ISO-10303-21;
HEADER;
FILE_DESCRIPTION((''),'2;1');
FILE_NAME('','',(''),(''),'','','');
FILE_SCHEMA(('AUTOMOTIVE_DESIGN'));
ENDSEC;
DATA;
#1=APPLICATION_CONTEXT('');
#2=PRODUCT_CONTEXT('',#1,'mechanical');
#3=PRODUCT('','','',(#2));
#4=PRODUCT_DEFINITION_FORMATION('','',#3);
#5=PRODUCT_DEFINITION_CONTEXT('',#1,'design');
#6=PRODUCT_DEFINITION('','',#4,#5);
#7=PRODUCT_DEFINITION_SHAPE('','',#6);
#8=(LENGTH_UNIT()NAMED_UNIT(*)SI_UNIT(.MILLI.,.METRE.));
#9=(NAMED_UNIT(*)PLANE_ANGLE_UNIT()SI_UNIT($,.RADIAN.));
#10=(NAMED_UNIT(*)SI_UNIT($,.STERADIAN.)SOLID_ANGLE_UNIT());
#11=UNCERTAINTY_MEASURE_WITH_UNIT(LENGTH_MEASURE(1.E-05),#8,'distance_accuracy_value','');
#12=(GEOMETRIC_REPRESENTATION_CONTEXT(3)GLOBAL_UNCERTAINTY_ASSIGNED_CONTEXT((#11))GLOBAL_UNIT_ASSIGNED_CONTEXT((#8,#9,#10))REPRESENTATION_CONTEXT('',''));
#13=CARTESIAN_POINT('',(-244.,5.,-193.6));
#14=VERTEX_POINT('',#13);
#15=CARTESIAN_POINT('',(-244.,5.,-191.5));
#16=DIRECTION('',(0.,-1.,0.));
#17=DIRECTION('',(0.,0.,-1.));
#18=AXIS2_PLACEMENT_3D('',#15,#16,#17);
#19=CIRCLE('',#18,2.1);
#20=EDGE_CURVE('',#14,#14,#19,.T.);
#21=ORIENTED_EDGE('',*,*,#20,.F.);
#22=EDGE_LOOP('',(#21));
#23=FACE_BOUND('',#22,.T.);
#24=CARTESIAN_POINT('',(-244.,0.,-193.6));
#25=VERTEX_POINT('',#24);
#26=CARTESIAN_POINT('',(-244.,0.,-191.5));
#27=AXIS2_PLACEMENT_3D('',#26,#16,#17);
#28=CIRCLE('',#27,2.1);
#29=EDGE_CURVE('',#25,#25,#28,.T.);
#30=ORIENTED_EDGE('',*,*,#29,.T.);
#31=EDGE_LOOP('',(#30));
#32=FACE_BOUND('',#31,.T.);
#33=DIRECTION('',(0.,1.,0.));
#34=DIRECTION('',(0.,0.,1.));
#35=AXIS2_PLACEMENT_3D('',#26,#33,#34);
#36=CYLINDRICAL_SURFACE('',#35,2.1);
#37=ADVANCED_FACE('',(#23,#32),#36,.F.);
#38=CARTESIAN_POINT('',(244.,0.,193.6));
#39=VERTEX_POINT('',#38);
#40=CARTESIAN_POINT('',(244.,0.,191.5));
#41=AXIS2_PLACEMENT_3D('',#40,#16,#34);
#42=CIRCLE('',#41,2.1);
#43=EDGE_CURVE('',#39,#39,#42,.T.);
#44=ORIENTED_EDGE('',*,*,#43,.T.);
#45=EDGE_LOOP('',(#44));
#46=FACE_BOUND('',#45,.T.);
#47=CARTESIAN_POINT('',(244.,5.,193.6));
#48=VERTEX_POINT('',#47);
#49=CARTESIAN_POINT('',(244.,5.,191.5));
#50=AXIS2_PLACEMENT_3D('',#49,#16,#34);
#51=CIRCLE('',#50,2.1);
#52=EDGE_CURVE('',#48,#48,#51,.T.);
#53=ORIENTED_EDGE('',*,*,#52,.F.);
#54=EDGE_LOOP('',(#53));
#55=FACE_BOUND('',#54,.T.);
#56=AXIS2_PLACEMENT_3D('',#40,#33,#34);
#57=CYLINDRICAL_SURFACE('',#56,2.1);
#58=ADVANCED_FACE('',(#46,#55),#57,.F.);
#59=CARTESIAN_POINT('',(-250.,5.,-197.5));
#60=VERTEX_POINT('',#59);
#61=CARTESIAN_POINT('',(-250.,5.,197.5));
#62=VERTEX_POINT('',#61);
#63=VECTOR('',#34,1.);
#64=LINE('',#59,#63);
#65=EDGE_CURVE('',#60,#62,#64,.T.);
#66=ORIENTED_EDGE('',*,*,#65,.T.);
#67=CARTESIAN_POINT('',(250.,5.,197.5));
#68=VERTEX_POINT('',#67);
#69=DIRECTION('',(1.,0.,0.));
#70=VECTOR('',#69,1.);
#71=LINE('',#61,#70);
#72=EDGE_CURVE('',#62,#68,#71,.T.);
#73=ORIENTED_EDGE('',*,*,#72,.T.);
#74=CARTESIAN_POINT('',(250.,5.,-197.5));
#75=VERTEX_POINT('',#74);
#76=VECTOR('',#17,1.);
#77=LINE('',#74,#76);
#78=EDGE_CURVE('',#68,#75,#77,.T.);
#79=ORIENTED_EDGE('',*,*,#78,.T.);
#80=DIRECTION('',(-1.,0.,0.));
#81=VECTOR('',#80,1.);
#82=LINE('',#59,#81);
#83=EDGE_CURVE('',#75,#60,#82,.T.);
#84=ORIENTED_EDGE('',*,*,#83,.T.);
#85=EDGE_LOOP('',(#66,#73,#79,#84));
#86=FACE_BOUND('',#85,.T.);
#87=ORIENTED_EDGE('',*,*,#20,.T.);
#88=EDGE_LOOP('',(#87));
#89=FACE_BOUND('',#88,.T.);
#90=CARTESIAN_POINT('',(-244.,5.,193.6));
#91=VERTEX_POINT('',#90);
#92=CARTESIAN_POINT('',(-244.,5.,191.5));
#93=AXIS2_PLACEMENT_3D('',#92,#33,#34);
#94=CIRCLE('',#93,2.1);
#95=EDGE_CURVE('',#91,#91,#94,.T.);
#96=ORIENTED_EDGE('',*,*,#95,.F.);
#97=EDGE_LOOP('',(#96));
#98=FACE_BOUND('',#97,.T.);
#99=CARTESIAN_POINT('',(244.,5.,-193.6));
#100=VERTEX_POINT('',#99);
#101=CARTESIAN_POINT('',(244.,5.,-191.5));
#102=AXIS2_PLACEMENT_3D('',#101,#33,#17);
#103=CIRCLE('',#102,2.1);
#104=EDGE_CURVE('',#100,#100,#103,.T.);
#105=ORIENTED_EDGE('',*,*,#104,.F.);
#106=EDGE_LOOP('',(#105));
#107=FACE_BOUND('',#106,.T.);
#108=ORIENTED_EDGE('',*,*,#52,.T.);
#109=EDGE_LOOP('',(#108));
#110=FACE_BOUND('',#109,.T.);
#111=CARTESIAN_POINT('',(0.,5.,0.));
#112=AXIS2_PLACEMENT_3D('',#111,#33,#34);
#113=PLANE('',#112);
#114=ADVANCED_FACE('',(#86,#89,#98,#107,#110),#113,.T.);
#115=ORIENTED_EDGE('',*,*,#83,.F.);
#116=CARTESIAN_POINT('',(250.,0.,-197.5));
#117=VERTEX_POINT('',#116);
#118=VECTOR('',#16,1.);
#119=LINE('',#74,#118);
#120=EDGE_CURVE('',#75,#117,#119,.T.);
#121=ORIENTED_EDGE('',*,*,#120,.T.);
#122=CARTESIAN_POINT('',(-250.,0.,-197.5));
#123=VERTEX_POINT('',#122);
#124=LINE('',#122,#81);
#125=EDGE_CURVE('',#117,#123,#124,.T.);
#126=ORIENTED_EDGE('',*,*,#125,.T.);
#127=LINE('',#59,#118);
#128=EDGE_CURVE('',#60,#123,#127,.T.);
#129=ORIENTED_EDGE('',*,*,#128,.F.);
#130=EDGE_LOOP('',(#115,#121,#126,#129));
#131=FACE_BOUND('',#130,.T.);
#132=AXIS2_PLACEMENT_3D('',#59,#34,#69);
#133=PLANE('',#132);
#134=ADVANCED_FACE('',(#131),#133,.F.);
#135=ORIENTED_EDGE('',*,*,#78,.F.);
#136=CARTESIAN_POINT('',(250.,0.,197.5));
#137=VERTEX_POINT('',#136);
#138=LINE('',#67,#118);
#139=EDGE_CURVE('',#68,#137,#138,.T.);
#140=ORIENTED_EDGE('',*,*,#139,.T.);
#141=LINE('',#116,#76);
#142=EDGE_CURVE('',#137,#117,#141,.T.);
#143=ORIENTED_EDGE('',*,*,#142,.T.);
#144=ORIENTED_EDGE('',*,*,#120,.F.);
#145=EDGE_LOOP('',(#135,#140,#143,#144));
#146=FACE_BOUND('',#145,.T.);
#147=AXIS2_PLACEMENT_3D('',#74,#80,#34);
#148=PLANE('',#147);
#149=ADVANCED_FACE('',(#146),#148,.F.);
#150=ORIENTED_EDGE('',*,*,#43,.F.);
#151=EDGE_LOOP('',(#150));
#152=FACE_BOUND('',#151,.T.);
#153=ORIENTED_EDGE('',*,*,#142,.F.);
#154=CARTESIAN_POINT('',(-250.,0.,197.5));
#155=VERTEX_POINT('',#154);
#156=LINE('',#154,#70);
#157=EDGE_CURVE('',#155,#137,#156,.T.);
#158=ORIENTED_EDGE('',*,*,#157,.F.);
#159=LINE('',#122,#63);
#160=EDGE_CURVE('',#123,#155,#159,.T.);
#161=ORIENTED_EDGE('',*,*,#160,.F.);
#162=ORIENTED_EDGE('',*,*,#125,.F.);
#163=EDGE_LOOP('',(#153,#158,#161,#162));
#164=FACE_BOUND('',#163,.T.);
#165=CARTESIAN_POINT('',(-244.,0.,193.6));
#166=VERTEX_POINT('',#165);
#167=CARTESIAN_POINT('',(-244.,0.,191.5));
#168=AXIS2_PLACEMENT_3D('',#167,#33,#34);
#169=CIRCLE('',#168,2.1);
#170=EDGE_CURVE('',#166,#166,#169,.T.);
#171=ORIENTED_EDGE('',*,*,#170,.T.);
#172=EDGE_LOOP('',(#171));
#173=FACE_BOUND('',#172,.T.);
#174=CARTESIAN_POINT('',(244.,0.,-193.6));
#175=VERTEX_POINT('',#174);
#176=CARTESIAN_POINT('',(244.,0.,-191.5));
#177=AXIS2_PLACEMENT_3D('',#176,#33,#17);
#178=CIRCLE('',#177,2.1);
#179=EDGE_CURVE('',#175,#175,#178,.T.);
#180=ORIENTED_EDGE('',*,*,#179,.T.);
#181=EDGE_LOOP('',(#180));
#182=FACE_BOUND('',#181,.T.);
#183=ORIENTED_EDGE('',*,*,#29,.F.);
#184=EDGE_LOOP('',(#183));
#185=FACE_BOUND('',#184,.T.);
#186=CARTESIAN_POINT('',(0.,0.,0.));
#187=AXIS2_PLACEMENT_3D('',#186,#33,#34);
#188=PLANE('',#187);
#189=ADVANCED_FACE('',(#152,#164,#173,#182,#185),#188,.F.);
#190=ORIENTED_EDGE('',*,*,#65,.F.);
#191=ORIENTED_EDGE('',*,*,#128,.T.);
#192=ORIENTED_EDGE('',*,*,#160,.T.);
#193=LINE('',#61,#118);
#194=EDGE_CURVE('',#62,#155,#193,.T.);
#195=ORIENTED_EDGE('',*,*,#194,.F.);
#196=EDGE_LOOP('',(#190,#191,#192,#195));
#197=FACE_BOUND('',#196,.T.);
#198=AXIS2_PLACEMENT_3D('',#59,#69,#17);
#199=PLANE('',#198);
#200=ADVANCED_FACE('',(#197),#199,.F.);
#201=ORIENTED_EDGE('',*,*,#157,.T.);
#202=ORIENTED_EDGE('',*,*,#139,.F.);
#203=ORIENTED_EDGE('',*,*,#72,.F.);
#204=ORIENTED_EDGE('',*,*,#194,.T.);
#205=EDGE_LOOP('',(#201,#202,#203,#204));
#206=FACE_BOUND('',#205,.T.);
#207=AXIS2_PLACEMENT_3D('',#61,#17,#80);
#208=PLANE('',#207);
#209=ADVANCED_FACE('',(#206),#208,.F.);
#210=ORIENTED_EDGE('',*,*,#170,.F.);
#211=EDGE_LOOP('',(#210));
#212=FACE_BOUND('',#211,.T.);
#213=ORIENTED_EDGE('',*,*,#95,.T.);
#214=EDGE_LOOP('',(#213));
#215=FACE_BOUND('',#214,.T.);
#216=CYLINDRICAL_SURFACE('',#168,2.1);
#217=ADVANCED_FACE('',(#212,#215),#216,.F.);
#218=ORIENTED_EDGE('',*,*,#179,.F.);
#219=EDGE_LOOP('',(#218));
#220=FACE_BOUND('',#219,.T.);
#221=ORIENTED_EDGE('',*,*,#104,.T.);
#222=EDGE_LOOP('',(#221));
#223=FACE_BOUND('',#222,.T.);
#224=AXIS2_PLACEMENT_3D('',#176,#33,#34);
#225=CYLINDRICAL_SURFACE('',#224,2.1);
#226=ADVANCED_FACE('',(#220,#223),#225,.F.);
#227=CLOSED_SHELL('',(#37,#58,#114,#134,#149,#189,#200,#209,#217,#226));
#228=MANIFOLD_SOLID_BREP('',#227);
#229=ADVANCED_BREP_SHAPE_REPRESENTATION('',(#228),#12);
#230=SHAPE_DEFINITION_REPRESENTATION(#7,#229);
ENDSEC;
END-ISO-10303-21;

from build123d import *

# Parameters (mm, degrees)
ESQUISSE1_W               = 500
ESQUISSE1_H               = 395
BOSS_EXTRU_1_DEPTH        = 5
ESQUISSE2_R               = 2.1
ENL_V_MAT_EXTRU_1_DEPTH   = 319.639686794
SYM_TRIE2_COPY_1_SKETCH_R = 2.1
SYM_TRIE2_COPY_1_DEPTH    = 319.639686794


with BuildPart() as part:
    # Esquisse1 → Boss.-Extru.1 (new body)
    with BuildSketch(Plane(origin=(0, 0, 0), x_dir=(1, 0, 0), z_dir=(0, 1, 0))):
        Rectangle(ESQUISSE1_W, ESQUISSE1_H)
    extrude(amount=BOSS_EXTRU_1_DEPTH)

    # Esquisse2 → Enlèv. mat.-Extru.1 (cut, through all)
    with BuildSketch(Plane(origin=(0, 5, 0), x_dir=(1, 0, 0), z_dir=(0, 1, 0))):
        with Locations(Location((-244, -191.5, 0), (0, 0, 270))):
            Circle(ESQUISSE2_R)
    enl_v_mat_extru_1 = extrude(amount=-ENL_V_MAT_EXTRU_1_DEPTH, mode=Mode.SUBTRACT)

    # Symétrie1: Enlèv. mat.-Extru.1 across plane
    add(enl_v_mat_extru_1.mirror(Plane(origin=(0, 0, 0), x_dir=(0, 0, 1), z_dir=(1, 0, 0))), mode=Mode.SUBTRACT)

    # Symétrie2: Enlèv. mat.-Extru.1 across plane
    add(enl_v_mat_extru_1.mirror(Plane.XY), mode=Mode.SUBTRACT)

    # Symétrie2 copy 1 sketch → Symétrie2 copy 1 (cut, through all)
    with BuildSketch(Plane(origin=(0, 5, 0), x_dir=(-1, 0, 0), z_dir=(0, 1, 0))):
        with Locations(Location((-244, -191.5, 0), (0, 0, 270))):
            Circle(SYM_TRIE2_COPY_1_SKETCH_R)
    extrude(amount=-SYM_TRIE2_COPY_1_DEPTH, mode=Mode.SUBTRACT)


solid = part.part
